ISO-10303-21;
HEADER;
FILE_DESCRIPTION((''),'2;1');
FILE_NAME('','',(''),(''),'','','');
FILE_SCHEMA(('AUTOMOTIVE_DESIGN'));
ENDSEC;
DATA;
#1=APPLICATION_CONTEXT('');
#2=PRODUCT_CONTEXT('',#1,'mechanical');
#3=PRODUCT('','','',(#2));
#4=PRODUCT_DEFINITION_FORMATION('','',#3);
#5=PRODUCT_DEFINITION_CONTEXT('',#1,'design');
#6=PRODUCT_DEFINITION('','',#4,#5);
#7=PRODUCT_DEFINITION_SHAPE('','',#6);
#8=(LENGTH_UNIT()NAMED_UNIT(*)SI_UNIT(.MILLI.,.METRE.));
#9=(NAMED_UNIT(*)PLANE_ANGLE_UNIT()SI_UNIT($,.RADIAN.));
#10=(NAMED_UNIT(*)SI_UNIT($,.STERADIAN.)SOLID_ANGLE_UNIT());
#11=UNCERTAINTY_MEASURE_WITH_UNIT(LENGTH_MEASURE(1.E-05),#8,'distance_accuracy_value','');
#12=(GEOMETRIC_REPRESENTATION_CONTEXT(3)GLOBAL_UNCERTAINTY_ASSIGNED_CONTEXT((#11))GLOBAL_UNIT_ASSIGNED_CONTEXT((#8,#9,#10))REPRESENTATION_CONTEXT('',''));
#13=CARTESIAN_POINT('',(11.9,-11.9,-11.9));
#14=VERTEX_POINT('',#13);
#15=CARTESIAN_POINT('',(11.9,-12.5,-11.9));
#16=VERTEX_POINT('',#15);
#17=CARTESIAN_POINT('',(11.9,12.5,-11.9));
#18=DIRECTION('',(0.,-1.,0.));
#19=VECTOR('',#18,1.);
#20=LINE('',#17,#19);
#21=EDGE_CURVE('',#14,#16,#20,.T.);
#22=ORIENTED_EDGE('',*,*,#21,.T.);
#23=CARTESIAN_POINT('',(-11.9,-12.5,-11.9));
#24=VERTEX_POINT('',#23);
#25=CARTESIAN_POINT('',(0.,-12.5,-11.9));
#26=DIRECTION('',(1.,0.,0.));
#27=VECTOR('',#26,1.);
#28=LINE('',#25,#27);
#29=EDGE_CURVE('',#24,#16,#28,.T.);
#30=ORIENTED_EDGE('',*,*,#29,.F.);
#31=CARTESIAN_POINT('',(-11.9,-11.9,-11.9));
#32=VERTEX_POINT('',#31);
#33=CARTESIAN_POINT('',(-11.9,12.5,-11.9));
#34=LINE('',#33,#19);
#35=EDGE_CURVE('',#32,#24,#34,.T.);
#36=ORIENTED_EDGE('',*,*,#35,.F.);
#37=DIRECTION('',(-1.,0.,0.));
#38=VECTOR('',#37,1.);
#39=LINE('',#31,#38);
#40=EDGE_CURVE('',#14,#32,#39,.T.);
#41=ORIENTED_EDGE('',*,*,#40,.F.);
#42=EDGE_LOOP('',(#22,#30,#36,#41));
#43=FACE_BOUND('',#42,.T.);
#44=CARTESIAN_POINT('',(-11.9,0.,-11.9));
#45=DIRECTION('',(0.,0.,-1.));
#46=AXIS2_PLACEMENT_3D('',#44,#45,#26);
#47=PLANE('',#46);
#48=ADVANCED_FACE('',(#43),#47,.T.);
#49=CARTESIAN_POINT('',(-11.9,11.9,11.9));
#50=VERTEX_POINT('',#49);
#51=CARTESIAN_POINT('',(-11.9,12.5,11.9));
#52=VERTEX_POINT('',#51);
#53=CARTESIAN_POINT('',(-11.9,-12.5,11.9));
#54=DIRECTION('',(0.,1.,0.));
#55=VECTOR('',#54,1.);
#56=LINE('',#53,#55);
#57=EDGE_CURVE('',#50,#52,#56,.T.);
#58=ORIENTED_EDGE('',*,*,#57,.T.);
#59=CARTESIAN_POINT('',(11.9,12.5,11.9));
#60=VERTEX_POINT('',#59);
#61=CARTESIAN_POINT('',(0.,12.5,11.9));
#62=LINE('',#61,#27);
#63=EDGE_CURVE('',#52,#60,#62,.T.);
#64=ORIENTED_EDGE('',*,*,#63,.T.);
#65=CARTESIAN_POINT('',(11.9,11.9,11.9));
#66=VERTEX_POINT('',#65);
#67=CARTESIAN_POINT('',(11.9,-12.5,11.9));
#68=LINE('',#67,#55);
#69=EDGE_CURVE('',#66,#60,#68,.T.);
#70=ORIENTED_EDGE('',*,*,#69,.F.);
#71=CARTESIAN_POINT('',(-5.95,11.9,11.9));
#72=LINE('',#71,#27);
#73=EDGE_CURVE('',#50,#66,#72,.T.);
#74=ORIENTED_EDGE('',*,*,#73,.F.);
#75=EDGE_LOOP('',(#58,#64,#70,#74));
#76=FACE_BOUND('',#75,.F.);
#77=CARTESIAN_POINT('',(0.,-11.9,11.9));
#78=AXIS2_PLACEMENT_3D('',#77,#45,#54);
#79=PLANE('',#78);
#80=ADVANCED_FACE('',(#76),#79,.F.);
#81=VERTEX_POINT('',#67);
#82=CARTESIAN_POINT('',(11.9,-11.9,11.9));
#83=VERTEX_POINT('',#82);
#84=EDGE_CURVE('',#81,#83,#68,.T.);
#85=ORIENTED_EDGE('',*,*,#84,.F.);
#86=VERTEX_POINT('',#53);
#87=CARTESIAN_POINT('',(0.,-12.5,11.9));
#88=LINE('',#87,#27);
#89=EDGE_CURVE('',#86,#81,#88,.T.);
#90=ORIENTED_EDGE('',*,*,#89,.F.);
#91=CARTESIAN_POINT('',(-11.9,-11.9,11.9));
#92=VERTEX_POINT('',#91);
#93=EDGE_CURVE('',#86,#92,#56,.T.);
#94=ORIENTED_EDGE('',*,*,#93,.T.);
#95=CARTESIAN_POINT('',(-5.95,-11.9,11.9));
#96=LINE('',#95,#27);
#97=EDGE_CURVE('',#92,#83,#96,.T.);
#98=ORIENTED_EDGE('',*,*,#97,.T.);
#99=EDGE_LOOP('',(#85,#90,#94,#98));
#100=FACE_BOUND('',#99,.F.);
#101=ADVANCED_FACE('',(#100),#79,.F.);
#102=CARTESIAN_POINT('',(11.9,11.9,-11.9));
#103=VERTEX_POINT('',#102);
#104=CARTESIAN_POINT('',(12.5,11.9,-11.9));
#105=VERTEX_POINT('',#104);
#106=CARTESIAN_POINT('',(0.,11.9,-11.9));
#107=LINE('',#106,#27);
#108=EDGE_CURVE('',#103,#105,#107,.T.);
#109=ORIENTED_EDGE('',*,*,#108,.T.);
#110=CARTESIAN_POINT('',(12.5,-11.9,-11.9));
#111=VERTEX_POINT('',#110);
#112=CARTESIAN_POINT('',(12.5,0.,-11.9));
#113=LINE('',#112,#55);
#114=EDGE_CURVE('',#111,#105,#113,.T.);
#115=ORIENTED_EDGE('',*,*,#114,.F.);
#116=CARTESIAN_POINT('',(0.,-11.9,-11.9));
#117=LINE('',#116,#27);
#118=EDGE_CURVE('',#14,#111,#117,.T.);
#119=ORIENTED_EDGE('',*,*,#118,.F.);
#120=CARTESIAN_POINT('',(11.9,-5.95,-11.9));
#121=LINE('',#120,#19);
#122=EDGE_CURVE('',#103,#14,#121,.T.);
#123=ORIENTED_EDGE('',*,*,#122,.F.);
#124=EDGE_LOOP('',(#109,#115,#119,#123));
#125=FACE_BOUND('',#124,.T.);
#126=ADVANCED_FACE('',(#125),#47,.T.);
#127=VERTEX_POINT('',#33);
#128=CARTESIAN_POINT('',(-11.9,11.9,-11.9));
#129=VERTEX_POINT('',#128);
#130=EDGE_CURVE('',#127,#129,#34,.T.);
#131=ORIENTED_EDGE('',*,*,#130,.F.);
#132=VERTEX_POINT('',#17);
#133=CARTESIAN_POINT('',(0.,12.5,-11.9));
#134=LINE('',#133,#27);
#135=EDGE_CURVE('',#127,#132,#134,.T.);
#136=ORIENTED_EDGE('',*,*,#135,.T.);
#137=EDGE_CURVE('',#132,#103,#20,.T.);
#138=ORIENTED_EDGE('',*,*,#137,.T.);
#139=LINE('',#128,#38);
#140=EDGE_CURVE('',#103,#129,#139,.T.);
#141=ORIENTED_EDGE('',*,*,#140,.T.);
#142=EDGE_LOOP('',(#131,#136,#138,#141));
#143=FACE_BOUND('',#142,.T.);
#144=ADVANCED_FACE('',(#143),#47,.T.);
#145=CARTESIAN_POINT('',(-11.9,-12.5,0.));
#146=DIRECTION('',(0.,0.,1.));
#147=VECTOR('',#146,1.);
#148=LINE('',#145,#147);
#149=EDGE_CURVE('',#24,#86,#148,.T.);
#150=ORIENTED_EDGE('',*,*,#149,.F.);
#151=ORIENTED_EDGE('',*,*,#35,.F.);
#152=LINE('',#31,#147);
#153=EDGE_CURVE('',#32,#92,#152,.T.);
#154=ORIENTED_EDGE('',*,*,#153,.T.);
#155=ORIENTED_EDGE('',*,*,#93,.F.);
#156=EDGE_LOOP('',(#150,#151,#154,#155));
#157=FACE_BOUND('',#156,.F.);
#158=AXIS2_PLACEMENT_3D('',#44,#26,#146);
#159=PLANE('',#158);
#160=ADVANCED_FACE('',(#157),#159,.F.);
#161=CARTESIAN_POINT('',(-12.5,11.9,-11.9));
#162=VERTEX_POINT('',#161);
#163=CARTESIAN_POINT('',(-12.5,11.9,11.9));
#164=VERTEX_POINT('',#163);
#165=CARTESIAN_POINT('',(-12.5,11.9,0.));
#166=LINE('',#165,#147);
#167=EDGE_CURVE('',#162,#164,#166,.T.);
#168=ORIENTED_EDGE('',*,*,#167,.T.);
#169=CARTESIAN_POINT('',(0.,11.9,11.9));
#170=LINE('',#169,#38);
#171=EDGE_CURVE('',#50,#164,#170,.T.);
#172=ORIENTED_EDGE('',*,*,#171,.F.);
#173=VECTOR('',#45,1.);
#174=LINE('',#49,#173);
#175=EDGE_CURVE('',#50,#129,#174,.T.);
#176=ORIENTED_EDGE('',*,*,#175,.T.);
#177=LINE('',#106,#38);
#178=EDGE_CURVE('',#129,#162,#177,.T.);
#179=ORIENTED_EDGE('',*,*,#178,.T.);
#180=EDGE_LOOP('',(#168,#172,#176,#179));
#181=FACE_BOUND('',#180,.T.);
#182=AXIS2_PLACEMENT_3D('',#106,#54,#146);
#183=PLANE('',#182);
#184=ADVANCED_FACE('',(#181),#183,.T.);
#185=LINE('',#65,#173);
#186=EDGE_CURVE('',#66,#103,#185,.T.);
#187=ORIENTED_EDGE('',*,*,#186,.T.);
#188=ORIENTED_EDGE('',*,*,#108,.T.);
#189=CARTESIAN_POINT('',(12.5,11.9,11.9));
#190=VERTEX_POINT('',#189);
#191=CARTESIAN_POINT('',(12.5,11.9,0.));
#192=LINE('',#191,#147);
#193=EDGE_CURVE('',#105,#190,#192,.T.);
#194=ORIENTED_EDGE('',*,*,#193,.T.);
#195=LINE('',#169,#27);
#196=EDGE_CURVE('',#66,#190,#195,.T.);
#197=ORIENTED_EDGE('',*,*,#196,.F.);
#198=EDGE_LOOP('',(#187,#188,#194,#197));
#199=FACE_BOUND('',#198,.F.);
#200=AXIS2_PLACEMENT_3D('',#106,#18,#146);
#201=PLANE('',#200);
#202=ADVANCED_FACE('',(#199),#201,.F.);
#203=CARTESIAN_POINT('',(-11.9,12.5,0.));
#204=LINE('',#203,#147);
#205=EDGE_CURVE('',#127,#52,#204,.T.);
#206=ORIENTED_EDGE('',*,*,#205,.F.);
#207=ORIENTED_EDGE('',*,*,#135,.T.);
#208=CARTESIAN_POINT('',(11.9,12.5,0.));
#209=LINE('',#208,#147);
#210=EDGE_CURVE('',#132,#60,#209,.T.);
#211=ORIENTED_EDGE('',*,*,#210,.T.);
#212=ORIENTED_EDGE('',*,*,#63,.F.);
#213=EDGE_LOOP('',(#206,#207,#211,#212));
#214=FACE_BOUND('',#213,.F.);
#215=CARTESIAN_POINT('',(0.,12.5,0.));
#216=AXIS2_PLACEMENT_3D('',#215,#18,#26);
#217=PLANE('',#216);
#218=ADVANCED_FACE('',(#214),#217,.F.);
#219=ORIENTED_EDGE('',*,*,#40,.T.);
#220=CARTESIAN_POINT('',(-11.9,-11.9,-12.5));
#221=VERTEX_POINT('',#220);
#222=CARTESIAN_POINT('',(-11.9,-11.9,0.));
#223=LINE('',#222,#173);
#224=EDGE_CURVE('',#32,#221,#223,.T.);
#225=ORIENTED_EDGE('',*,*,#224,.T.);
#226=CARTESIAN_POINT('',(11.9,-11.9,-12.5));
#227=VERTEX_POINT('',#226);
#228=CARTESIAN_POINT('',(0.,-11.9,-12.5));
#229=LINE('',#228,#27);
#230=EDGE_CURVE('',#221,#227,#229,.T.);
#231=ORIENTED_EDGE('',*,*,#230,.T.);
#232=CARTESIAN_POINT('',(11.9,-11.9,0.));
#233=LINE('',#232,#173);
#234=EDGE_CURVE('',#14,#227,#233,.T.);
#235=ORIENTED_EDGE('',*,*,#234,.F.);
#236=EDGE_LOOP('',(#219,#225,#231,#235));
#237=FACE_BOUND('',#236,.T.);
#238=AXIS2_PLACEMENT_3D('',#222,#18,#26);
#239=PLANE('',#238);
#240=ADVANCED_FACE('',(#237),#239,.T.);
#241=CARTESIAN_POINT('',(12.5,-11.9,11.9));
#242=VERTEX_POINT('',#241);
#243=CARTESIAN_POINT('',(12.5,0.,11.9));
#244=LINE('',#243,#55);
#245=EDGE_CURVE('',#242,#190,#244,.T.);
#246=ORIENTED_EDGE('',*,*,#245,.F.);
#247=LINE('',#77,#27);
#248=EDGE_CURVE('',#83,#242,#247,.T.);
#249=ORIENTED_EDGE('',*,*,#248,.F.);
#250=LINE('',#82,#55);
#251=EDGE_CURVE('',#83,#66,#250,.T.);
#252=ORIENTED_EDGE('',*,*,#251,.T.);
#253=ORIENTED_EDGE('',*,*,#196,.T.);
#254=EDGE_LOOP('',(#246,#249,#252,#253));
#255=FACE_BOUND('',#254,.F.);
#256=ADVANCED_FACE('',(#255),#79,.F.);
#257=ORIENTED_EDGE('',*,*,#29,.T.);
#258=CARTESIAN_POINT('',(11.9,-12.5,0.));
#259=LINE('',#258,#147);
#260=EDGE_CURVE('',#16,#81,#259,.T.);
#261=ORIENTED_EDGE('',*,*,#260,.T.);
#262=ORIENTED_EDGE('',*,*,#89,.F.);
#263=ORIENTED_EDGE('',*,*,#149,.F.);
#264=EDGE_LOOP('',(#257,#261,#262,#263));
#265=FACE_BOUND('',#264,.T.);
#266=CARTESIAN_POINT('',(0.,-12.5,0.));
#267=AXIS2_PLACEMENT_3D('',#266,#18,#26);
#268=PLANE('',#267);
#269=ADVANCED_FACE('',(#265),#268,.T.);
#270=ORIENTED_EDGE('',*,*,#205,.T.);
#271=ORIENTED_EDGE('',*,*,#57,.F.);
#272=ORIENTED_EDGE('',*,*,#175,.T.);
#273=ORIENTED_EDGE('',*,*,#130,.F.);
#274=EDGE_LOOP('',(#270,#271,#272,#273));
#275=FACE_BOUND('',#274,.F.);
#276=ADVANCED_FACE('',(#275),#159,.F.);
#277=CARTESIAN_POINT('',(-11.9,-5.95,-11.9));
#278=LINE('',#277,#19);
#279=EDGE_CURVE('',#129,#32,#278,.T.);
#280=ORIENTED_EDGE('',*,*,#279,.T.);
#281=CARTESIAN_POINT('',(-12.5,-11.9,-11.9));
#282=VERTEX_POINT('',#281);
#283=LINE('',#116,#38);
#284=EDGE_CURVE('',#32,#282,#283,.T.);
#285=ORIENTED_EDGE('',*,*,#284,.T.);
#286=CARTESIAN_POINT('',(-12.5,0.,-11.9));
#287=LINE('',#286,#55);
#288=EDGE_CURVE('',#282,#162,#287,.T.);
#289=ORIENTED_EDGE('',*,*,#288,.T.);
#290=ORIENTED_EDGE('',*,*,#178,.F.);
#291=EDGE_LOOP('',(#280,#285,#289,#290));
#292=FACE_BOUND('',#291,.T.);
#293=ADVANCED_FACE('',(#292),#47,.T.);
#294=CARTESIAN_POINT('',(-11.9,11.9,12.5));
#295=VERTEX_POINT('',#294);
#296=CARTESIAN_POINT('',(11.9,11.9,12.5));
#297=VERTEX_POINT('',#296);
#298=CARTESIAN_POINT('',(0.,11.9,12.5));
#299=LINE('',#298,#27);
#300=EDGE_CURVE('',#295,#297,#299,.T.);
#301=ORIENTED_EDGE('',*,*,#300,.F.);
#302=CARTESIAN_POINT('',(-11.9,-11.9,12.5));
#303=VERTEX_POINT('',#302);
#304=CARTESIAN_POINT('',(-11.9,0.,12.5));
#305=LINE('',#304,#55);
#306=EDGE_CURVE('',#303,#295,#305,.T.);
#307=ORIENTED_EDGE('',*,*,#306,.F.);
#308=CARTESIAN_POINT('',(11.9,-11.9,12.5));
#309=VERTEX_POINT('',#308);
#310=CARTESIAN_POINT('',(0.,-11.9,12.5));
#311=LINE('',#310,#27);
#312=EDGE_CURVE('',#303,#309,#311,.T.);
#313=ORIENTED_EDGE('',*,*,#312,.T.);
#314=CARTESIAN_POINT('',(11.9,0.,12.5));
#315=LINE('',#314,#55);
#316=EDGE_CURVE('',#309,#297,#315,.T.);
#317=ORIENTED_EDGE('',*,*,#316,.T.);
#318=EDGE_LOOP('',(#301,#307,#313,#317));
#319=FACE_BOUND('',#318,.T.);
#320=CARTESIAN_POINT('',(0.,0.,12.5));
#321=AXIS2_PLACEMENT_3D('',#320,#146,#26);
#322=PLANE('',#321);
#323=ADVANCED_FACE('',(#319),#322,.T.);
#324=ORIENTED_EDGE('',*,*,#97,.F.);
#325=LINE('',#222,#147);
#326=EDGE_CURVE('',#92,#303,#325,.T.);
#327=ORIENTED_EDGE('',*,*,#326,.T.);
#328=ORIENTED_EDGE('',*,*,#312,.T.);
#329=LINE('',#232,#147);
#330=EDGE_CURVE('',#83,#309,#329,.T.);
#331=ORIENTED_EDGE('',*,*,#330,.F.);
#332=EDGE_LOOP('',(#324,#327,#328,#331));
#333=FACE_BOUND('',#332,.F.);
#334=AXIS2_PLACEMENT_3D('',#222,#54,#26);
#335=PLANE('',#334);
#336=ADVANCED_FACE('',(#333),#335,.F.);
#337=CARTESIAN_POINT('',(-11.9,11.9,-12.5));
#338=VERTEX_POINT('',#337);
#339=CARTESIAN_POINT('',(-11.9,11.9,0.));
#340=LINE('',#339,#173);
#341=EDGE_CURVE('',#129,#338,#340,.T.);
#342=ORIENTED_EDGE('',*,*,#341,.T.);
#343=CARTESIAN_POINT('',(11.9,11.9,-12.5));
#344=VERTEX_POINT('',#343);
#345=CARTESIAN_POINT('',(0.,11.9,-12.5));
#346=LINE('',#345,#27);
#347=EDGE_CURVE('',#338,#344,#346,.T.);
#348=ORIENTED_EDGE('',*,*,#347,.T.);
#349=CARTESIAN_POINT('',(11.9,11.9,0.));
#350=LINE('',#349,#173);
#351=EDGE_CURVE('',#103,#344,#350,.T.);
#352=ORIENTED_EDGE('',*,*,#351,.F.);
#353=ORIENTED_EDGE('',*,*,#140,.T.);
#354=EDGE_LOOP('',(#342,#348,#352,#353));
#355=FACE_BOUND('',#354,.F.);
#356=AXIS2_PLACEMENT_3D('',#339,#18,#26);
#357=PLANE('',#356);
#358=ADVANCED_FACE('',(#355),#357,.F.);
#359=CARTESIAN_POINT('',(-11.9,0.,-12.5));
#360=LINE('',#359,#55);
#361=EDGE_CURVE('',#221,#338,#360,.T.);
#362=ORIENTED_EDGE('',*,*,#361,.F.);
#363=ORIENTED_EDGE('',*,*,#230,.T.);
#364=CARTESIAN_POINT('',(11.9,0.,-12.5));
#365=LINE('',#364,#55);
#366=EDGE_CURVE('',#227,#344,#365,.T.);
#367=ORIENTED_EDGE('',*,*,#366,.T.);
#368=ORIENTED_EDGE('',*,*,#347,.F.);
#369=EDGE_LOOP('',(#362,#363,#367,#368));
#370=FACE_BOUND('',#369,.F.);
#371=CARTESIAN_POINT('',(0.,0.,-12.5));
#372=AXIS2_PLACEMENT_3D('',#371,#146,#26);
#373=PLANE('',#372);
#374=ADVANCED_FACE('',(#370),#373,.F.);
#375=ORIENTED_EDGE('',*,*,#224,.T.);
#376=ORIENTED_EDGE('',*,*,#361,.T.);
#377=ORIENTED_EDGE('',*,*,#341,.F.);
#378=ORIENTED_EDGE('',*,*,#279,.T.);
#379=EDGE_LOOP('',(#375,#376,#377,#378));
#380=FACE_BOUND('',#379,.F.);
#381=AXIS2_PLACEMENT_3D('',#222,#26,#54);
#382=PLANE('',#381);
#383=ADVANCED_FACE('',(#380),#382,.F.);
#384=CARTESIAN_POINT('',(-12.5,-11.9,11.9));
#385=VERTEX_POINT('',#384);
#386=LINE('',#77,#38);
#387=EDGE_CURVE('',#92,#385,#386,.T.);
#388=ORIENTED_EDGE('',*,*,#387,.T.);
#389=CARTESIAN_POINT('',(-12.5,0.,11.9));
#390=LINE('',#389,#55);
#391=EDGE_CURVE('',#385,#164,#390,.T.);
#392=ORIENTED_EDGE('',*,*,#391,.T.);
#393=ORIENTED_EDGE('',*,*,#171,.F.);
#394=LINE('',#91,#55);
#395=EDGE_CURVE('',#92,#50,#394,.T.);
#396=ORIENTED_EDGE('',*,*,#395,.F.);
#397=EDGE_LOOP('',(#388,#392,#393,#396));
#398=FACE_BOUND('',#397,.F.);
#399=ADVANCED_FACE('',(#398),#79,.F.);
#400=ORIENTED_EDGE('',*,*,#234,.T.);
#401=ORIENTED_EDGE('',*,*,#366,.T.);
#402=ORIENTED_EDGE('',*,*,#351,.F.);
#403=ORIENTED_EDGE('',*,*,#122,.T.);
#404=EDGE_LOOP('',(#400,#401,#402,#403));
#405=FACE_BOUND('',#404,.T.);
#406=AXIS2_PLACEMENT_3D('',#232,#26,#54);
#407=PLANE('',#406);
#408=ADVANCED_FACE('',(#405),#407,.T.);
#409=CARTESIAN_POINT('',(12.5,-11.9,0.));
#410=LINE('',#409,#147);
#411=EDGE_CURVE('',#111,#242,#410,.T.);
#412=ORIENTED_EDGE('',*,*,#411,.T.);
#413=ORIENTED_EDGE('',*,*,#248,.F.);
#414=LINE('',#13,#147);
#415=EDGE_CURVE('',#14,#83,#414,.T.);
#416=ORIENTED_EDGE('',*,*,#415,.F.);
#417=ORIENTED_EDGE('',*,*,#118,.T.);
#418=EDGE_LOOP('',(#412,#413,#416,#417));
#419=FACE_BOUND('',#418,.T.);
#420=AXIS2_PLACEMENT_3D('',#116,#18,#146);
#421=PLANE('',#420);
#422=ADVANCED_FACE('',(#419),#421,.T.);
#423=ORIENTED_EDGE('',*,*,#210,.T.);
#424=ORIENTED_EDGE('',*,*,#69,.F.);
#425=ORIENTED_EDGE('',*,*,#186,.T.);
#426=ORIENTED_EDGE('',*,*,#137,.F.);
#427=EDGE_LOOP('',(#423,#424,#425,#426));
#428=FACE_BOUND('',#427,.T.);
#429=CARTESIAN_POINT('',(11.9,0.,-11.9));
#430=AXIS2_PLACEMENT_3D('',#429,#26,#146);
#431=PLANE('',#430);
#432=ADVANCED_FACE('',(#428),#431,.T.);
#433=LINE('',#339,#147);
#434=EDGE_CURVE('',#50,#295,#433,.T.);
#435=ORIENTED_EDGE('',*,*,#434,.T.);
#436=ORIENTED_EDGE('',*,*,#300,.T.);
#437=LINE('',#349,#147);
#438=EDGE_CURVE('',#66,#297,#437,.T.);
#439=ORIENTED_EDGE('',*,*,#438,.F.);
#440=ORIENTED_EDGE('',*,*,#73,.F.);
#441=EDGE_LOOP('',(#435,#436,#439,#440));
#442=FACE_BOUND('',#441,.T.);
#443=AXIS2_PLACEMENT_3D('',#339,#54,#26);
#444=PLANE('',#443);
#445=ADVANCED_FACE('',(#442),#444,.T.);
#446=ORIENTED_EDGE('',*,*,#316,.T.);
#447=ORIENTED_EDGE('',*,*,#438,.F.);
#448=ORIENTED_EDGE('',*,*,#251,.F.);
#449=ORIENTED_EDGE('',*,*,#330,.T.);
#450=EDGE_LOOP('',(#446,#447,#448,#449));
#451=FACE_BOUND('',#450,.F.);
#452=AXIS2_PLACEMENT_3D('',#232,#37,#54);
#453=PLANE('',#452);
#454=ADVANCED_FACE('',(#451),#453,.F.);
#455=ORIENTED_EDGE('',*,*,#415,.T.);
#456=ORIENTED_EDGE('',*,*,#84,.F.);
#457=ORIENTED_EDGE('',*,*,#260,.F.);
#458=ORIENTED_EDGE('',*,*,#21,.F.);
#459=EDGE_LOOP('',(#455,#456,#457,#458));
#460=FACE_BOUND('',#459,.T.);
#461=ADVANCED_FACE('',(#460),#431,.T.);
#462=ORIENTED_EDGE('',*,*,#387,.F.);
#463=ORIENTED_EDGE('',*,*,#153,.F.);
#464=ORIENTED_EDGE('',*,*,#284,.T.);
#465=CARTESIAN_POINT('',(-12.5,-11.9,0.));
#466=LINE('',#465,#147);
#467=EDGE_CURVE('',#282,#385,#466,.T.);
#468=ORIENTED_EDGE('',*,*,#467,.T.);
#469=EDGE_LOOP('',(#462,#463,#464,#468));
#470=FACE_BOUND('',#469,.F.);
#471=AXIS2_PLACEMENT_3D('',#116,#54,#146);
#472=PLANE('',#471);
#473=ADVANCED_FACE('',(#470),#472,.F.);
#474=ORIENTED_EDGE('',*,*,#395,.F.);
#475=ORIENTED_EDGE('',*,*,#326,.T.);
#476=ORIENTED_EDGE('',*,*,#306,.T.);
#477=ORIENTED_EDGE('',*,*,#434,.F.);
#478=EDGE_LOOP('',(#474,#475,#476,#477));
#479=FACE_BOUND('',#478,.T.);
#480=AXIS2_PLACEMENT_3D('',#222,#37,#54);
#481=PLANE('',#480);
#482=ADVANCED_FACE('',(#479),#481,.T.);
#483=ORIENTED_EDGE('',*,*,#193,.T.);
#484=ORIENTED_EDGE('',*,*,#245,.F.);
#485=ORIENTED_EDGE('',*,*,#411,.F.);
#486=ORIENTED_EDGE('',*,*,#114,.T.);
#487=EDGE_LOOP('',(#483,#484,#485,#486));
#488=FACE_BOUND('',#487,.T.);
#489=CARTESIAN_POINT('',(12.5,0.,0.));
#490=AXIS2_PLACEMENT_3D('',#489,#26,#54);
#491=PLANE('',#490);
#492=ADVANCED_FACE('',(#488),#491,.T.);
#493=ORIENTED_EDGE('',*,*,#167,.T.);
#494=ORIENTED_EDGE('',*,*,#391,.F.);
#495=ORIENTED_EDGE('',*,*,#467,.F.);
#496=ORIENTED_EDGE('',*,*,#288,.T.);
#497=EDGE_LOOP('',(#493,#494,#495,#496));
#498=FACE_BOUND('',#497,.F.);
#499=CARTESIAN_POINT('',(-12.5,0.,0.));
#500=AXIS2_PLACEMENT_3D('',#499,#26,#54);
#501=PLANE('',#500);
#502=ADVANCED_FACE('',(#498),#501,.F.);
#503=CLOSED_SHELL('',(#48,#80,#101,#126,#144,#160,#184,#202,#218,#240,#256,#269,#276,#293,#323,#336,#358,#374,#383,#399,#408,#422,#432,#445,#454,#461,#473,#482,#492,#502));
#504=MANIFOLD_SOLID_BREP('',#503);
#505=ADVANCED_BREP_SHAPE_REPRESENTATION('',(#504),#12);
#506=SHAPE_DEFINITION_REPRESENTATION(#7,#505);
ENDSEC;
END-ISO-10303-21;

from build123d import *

# Parameters (mm, degrees)
F0_W          = 23.8
F0_H          = 23.8
F3_DEPTH      = 12.5
F3_DEPTH_BACK = 12.5
F1_W          = 23.8
F1_H          = 23.8
F4_DEPTH      = 12.5
F4_DEPTH_BACK = 12.5
F2_W          = 23.8
F2_H          = 23.8
F5_DEPTH      = 12.5
F5_DEPTH_BACK = 12.5


with BuildPart() as f3:
    # F0 (on Front) → F3 (new body, two sides)
    with BuildSketch(Plane.XZ) as f3_sk:
        Rectangle(F0_W, F0_H)
    extrude(amount=F3_DEPTH)
    extrude(f3_sk.sketch, amount=-F3_DEPTH_BACK)

    # F1 (on Right) → F4 (join, two sides)
    with BuildSketch(Plane.YZ) as f4_sk:
        Rectangle(F1_W, F1_H)
    extrude(amount=F4_DEPTH)
    extrude(f4_sk.sketch, amount=-F4_DEPTH_BACK)

    # F2 (on Top) → F5 (join, two sides)
    with BuildSketch(Plane.XY) as f5_sk:
        Rectangle(F2_W, F2_H)
    extrude(amount=F5_DEPTH)
    extrude(f5_sk.sketch, amount=-F5_DEPTH_BACK)


solid = f3.part
